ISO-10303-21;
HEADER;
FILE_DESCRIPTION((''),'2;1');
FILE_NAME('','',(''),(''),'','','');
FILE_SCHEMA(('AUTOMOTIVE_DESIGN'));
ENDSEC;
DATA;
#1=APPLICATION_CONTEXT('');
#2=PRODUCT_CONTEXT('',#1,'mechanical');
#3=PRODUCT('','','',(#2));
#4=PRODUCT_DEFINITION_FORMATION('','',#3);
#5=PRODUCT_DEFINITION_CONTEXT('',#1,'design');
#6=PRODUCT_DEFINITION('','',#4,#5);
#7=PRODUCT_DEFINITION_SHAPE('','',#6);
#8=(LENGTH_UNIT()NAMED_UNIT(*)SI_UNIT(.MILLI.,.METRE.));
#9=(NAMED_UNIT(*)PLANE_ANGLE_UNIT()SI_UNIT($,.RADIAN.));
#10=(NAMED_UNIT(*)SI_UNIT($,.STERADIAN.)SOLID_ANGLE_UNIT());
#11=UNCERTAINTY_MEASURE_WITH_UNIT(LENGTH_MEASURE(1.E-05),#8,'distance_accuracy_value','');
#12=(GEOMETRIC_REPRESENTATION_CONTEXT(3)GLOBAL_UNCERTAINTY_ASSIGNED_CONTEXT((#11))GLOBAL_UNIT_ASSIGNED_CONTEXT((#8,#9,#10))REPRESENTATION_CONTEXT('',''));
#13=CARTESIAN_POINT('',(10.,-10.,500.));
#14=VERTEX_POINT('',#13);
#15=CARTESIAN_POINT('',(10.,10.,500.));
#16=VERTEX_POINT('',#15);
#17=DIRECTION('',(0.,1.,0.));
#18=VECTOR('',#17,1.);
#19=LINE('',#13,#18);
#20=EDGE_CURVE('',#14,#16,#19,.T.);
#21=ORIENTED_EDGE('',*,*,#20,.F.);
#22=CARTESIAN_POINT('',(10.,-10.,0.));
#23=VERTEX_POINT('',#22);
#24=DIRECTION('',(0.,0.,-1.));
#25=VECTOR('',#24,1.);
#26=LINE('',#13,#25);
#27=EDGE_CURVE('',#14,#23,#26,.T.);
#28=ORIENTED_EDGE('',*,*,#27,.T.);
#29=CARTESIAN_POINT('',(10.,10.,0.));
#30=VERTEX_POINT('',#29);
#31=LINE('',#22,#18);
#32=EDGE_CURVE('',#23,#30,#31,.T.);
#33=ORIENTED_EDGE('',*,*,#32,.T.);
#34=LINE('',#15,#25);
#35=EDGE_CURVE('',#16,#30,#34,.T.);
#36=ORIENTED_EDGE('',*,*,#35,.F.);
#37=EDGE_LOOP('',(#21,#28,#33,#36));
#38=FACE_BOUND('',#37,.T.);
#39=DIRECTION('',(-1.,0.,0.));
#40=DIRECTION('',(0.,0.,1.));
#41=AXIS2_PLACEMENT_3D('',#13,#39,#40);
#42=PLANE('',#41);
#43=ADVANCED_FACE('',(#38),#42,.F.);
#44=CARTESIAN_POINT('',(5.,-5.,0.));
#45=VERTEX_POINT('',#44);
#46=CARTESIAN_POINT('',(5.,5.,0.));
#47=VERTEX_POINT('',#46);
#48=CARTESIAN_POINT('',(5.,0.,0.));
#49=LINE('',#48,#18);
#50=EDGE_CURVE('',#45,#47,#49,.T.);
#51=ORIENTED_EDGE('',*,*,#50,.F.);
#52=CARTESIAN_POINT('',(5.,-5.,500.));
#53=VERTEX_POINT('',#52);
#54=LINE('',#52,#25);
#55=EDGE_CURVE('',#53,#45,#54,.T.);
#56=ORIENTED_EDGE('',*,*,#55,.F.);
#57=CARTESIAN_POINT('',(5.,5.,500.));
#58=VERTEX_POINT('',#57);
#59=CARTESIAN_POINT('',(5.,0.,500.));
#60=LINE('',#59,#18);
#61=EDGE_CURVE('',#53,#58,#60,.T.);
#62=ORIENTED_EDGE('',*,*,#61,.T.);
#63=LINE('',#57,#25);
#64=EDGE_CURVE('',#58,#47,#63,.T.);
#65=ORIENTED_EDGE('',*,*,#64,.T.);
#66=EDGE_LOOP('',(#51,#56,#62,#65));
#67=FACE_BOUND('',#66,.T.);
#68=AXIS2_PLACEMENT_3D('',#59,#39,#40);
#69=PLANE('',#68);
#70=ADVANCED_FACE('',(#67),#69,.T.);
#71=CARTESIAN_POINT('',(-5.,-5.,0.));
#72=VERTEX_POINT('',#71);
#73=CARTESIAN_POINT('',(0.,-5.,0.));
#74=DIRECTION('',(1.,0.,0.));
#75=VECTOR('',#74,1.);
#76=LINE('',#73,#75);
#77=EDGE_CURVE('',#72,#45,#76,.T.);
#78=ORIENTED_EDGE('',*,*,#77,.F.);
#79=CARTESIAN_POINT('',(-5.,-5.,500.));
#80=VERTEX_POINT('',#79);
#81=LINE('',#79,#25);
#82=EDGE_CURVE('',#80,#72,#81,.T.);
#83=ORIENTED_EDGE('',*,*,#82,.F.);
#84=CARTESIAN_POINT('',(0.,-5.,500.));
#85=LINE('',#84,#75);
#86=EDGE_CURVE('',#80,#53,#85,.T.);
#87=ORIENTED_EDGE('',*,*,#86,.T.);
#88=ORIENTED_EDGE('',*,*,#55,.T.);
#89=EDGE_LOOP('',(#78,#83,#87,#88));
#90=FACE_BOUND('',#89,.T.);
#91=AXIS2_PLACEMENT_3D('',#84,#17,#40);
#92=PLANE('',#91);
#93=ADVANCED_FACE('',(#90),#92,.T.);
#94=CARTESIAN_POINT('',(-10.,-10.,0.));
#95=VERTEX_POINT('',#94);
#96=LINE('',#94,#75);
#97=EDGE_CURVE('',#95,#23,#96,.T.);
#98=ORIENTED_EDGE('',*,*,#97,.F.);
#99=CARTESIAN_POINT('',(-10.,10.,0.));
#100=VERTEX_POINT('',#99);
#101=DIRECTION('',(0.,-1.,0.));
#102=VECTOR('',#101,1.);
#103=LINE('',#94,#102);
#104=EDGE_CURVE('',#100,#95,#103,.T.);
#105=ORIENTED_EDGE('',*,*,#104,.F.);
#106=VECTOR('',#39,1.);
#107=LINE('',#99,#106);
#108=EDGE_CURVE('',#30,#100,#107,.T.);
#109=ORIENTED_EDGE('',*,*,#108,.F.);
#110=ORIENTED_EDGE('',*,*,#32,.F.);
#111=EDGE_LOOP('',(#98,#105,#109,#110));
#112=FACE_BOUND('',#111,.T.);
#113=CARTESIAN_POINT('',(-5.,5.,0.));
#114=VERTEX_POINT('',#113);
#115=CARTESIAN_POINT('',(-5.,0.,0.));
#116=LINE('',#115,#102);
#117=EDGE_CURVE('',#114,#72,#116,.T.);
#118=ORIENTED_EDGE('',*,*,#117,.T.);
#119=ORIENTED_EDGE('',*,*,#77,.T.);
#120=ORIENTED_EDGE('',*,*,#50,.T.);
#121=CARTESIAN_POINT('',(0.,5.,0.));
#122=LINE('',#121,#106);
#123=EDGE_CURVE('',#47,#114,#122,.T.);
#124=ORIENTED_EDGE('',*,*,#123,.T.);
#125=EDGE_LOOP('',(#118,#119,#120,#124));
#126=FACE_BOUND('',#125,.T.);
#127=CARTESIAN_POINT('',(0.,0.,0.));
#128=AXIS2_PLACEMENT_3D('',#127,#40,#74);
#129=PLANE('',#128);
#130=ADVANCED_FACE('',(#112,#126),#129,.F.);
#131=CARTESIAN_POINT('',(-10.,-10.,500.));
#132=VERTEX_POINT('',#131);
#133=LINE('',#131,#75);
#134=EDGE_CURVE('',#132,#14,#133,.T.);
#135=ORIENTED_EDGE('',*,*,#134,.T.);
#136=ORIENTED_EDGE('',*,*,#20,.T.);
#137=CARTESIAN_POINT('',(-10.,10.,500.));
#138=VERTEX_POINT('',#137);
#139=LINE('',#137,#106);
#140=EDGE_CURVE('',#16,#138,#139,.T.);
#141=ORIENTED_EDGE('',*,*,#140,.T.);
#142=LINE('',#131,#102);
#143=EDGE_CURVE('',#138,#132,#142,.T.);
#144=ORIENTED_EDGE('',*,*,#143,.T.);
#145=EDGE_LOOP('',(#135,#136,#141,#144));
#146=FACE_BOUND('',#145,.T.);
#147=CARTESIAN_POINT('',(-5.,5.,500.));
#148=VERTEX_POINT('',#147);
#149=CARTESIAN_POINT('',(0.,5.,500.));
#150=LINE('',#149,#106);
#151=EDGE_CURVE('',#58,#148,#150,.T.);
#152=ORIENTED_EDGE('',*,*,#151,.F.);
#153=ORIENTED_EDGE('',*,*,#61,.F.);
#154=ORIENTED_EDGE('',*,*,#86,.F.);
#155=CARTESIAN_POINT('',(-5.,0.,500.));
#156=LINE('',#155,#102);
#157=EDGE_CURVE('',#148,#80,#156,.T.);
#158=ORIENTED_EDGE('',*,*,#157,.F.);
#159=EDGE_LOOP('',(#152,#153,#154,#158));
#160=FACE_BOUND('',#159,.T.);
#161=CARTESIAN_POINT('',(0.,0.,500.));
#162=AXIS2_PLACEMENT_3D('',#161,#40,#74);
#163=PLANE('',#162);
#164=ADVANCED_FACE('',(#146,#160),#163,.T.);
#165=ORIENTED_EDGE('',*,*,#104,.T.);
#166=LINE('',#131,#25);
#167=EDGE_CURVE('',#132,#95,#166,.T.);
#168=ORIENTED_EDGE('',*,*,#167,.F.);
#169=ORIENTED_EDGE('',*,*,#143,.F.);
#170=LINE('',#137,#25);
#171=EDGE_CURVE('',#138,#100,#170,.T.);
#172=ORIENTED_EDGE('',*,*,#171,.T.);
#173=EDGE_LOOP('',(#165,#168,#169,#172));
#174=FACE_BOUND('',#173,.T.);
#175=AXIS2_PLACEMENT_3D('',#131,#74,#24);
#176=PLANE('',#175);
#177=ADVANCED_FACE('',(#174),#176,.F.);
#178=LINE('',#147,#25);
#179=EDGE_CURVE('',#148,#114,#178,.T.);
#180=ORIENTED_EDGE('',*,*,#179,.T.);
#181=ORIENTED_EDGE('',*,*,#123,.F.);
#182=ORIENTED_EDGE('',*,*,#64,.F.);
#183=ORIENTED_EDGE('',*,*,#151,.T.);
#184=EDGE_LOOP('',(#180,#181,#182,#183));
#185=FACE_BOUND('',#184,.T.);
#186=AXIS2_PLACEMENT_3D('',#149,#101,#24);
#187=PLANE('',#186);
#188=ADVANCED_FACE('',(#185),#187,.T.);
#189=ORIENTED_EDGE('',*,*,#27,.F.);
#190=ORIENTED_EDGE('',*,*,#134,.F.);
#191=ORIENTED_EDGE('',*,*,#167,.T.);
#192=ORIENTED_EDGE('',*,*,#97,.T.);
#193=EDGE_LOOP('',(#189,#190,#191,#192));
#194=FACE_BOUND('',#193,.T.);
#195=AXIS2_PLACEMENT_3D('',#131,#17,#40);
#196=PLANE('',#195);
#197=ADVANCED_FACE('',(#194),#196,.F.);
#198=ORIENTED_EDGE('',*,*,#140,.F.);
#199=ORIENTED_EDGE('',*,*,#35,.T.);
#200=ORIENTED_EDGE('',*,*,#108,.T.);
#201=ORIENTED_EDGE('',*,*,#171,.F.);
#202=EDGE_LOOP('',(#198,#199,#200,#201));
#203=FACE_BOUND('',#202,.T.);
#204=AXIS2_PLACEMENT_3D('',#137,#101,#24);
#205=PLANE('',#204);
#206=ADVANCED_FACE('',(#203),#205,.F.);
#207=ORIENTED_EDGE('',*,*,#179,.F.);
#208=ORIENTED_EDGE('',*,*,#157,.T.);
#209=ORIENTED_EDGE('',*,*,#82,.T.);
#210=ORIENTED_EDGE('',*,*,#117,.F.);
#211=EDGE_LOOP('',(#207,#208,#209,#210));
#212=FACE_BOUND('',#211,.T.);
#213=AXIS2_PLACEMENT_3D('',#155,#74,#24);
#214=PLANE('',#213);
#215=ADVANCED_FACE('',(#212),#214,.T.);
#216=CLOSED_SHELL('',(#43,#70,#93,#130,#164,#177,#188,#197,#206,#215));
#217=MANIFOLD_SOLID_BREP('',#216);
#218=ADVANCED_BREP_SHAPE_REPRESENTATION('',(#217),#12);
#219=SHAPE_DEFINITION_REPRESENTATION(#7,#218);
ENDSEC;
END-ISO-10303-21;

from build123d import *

# Parameters (mm, degrees)
SKETCH1_W           = 20
SKETCH1_H           = 20
SKETCH1_W_2         = 10
SKETCH1_H_2         = 10
EXTRUDE_THIN1_DEPTH = 500


with BuildPart() as part:
    # Sketch1 → Extrude-Thin1 (new body)
    with BuildSketch(Plane.XY):
        Rectangle(SKETCH1_W, SKETCH1_H)
        Rectangle(SKETCH1_W_2, SKETCH1_H_2, mode=Mode.SUBTRACT)
    extrude(amount=EXTRUDE_THIN1_DEPTH)


solid = part.part
